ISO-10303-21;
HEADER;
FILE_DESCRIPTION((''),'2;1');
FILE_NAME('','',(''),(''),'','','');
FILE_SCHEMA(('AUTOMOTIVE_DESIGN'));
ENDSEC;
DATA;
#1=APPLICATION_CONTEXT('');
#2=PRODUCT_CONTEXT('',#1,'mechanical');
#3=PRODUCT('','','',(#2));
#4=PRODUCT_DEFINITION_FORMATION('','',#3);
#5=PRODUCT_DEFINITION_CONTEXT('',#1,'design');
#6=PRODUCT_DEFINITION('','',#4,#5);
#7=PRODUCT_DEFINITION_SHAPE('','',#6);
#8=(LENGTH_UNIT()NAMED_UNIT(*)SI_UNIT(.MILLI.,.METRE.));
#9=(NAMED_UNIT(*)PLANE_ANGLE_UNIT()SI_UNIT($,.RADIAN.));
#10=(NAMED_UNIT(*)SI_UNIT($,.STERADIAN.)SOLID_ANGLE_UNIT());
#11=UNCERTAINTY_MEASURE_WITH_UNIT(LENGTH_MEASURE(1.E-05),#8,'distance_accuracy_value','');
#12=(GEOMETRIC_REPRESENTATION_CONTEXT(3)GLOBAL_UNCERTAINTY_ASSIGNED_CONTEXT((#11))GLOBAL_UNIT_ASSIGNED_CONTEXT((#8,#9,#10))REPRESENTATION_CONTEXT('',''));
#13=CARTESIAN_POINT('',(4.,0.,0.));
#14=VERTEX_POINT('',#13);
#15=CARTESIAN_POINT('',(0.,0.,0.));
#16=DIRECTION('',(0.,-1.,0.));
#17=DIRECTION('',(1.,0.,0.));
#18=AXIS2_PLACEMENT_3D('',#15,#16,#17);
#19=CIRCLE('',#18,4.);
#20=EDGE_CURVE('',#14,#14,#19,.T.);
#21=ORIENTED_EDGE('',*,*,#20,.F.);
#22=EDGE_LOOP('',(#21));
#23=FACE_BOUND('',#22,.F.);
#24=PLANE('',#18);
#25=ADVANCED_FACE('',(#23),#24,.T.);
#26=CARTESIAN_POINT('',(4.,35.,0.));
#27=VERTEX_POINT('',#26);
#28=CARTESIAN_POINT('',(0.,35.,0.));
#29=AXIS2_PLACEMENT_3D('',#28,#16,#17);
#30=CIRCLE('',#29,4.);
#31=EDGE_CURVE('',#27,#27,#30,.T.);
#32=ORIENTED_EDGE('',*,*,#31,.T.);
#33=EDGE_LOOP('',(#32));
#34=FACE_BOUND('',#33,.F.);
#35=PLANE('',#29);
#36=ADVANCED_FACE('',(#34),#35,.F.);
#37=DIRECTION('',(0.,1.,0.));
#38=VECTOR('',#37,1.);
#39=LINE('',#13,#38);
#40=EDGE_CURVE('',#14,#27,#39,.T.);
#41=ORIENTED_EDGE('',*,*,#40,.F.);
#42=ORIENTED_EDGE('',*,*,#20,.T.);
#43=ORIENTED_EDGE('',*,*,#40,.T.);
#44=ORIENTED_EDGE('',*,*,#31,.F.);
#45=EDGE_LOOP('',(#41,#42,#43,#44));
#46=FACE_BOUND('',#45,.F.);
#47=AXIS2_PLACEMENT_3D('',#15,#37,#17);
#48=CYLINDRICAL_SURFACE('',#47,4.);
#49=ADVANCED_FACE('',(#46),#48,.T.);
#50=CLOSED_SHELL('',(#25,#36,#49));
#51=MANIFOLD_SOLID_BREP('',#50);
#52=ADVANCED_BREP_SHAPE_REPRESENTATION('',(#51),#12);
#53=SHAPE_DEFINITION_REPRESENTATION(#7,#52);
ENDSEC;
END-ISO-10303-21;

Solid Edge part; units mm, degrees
sketch "Sketch1" plane through (0, 0, 0) normal (0, 0, 1) x (1, 0, 0)
  line L0 (4, 0) -> (4, 35)
  line L1 (4, 35) -> (0, 35)
  line L2 (0, 35) -> (0, 0)
  line L3 (0, 0) -> (4, 0)
revolve "RevolvedProtrusion1" add sketch "Sketch1" angle 360 about axis through (0, 35, 0) along (0, -1, 0)
